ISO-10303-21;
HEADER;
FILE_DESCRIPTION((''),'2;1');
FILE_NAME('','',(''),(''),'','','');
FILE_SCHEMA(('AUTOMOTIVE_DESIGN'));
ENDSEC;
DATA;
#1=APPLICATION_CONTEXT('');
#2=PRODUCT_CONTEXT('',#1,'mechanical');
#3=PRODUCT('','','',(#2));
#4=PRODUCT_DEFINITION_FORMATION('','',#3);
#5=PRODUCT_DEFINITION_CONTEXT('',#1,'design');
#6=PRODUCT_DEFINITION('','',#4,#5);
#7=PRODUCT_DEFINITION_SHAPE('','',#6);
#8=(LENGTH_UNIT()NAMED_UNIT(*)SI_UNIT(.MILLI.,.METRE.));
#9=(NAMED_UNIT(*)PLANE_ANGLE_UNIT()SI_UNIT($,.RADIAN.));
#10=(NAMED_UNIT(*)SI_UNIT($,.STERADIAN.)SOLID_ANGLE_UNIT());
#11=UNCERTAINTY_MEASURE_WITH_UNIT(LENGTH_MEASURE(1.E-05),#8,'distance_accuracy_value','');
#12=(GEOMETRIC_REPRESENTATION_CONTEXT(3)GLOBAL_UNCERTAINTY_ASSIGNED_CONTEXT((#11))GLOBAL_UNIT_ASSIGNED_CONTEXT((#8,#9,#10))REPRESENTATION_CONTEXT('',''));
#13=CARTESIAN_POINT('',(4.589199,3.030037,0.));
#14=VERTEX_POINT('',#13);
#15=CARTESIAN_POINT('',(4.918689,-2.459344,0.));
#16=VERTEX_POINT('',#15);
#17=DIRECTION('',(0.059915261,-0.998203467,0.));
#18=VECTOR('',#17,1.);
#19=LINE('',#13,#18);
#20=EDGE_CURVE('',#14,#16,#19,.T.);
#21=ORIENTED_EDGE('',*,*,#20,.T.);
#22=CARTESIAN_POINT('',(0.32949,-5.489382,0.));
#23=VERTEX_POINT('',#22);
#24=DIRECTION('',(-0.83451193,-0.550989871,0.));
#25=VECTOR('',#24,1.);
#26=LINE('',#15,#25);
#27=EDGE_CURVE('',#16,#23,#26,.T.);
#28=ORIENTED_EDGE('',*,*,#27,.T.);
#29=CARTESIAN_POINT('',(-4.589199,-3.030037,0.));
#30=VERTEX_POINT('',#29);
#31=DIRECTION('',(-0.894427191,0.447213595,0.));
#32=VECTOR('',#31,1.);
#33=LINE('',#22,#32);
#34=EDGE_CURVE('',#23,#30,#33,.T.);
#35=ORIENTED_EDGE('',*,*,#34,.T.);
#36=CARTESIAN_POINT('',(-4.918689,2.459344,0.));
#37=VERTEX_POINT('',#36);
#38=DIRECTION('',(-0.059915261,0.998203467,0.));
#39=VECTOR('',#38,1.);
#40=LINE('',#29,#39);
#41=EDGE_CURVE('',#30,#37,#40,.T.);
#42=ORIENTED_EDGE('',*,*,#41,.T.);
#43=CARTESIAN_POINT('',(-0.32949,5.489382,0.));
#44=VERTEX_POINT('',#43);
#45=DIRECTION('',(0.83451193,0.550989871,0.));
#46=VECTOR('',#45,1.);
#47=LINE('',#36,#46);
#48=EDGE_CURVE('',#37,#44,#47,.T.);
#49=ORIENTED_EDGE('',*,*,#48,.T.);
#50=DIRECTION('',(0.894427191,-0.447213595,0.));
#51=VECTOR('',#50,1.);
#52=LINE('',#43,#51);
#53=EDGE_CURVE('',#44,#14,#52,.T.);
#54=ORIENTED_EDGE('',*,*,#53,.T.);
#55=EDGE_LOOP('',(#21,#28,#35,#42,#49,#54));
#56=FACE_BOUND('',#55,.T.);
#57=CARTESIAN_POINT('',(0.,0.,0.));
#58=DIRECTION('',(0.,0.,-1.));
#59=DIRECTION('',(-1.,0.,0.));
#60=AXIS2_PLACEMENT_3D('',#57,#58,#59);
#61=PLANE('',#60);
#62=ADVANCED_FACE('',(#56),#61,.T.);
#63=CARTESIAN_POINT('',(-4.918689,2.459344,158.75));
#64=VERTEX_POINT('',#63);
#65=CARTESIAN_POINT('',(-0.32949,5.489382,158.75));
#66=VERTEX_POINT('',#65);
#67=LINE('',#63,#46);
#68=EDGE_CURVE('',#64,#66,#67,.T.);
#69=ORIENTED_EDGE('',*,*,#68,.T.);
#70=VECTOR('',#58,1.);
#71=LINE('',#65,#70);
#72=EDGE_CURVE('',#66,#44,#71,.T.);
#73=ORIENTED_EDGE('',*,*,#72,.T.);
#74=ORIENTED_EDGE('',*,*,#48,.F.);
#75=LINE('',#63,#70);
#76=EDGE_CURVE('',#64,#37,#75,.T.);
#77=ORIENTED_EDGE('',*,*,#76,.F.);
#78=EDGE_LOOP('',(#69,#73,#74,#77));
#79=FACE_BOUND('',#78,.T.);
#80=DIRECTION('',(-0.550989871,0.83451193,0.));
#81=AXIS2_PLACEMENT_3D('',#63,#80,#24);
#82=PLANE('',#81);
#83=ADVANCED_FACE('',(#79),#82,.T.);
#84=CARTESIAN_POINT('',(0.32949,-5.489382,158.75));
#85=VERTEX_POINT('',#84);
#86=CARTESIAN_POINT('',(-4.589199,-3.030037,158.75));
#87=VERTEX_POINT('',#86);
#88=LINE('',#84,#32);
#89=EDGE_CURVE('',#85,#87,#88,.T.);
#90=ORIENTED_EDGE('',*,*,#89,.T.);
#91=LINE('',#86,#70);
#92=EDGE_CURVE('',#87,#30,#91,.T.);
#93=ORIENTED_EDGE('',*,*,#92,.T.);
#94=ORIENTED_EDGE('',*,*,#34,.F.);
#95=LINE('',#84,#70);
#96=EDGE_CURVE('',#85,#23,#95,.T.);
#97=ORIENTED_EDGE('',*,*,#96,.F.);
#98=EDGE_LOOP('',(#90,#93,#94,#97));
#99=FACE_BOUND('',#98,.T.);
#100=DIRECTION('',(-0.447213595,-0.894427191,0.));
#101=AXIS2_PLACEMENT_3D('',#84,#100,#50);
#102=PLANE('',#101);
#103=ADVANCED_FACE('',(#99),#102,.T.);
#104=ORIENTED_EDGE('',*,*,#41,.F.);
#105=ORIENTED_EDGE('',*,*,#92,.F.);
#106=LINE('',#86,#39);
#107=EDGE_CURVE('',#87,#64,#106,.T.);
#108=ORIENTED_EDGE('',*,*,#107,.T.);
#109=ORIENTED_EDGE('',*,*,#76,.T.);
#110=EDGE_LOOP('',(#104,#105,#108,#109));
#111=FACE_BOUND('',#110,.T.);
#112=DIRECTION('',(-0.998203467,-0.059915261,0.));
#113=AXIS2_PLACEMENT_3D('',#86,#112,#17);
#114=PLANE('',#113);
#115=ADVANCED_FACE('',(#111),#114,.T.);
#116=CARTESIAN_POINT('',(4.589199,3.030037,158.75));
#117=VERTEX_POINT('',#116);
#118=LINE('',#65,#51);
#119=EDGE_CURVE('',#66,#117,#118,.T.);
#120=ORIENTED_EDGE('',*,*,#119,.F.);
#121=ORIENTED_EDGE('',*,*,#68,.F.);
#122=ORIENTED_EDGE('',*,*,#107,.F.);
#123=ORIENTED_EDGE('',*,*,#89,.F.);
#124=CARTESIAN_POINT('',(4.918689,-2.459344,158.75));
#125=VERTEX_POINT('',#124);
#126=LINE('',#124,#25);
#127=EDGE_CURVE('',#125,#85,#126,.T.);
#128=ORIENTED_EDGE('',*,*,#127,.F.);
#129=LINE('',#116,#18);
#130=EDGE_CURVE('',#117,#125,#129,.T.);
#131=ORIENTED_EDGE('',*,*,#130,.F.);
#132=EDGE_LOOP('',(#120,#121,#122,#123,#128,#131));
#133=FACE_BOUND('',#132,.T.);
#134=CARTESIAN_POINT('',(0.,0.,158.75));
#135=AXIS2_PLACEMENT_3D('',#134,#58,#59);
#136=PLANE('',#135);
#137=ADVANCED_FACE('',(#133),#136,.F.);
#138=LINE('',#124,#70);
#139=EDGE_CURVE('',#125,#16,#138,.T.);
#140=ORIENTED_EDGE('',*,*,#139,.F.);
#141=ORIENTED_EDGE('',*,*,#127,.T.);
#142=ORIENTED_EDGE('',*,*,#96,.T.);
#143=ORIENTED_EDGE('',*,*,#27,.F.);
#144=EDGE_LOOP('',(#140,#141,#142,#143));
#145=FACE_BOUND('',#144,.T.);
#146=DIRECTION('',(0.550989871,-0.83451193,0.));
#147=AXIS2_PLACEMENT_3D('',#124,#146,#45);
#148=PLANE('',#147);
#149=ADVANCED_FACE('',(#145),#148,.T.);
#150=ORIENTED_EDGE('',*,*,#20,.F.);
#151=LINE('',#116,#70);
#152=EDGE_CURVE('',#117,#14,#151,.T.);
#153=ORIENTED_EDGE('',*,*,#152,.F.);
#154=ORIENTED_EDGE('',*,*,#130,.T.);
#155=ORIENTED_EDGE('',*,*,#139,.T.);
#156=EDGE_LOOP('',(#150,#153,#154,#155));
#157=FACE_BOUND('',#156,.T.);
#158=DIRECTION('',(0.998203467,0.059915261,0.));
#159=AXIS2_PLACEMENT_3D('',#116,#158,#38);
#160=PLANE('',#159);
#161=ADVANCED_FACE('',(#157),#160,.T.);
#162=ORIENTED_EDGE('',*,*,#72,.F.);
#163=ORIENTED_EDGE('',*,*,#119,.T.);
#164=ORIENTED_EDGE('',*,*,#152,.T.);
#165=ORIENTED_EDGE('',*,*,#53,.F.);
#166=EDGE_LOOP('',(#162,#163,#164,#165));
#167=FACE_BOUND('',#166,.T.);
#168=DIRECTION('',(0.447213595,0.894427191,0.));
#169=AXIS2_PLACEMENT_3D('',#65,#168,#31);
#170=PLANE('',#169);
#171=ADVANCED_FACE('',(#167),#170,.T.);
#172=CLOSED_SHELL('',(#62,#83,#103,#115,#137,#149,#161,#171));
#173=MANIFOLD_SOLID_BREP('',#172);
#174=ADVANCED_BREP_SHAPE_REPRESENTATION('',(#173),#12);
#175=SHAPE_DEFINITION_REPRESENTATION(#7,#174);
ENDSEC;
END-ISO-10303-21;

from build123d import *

# Parameters (mm, degrees)
BOSS_EXTRUDE1_DEPTH = 158.75


with BuildPart() as part:
    # Sketch1 → Boss-Extrude1 (new body)
    with BuildSketch(Plane(origin=(0, 0, 0), x_dir=(-1, 0, 0), z_dir=(0, 0, -1))):
        Polygon((4.91868885, 2.459344425), (0.329489676, 5.48938171), (-4.589199173, 3.030037285), (-4.91868885, -2.459344425), (-0.329489676, -5.48938171), (4.589199173, -3.030037285), align=None)
    extrude(amount=-BOSS_EXTRUDE1_DEPTH)


solid = part.part
